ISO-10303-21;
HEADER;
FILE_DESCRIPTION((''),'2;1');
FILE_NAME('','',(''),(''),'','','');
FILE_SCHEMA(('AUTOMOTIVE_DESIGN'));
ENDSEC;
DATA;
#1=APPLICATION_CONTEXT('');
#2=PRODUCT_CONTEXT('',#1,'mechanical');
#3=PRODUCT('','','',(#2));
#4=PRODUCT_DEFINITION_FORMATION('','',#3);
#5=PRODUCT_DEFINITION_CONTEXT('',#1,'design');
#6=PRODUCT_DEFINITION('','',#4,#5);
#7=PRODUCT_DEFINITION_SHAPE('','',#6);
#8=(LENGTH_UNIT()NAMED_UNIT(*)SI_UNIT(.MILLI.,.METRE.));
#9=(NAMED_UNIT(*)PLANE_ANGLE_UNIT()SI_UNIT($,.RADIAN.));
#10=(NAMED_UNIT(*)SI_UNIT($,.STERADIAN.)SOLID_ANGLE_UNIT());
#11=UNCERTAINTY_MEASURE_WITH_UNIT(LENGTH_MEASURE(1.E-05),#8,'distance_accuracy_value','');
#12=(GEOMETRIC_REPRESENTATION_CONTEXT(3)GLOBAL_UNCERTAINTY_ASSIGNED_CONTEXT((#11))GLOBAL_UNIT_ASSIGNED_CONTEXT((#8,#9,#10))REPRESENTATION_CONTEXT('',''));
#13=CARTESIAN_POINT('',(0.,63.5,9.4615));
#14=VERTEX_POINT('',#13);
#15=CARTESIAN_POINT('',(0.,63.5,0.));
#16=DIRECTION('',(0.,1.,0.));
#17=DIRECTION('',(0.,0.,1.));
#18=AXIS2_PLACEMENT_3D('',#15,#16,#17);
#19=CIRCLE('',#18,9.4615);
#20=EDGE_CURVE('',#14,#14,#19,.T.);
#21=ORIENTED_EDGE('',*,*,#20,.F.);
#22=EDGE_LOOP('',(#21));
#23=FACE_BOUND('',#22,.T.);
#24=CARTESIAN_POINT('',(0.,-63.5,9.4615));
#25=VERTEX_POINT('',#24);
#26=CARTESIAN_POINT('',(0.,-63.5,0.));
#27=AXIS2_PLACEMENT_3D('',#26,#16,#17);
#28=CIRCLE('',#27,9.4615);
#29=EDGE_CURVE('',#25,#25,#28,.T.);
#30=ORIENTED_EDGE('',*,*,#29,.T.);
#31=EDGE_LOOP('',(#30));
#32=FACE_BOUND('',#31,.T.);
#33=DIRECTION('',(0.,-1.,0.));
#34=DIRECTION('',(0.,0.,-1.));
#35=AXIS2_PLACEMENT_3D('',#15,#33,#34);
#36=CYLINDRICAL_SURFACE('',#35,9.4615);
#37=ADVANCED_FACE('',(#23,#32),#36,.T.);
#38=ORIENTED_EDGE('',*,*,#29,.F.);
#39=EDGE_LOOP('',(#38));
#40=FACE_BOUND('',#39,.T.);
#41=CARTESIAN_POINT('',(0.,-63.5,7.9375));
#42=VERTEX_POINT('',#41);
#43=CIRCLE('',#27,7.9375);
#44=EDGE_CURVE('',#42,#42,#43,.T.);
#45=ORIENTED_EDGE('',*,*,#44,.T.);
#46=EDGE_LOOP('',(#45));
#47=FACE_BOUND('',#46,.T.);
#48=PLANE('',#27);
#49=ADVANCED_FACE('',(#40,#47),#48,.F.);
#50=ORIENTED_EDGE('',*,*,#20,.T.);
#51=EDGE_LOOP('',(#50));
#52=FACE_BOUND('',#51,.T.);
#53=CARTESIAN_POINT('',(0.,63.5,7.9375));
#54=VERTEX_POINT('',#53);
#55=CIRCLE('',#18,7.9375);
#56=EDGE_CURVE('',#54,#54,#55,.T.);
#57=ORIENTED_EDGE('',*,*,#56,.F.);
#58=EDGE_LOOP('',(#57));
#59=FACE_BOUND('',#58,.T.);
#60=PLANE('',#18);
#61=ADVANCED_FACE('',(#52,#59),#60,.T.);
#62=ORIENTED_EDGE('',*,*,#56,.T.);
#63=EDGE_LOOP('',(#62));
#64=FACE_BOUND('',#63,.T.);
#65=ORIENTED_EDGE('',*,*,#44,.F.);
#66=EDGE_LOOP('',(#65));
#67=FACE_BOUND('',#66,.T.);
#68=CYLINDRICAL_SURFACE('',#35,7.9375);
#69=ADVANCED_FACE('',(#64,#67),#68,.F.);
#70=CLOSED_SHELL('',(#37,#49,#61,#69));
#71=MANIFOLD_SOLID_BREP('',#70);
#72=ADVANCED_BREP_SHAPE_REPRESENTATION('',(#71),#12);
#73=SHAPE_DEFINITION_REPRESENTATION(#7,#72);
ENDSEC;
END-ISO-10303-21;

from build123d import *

# Parameters (mm, degrees)
SKETCH1_R           = 9.4615
SKETCH1_R_2         = 7.9375
BOSS_EXTRUDE1_DEPTH = 63.5


with BuildPart() as part:
    # Sketch1 → Boss-Extrude1 (new body, symmetric)
    with BuildSketch(Plane(origin=(0, 0, 0), x_dir=(1, 0, 0), z_dir=(0, 1, 0))):
        Circle(SKETCH1_R)
        Circle(SKETCH1_R_2, mode=Mode.SUBTRACT)
    extrude(amount=BOSS_EXTRUDE1_DEPTH, both=True)


solid = part.part
